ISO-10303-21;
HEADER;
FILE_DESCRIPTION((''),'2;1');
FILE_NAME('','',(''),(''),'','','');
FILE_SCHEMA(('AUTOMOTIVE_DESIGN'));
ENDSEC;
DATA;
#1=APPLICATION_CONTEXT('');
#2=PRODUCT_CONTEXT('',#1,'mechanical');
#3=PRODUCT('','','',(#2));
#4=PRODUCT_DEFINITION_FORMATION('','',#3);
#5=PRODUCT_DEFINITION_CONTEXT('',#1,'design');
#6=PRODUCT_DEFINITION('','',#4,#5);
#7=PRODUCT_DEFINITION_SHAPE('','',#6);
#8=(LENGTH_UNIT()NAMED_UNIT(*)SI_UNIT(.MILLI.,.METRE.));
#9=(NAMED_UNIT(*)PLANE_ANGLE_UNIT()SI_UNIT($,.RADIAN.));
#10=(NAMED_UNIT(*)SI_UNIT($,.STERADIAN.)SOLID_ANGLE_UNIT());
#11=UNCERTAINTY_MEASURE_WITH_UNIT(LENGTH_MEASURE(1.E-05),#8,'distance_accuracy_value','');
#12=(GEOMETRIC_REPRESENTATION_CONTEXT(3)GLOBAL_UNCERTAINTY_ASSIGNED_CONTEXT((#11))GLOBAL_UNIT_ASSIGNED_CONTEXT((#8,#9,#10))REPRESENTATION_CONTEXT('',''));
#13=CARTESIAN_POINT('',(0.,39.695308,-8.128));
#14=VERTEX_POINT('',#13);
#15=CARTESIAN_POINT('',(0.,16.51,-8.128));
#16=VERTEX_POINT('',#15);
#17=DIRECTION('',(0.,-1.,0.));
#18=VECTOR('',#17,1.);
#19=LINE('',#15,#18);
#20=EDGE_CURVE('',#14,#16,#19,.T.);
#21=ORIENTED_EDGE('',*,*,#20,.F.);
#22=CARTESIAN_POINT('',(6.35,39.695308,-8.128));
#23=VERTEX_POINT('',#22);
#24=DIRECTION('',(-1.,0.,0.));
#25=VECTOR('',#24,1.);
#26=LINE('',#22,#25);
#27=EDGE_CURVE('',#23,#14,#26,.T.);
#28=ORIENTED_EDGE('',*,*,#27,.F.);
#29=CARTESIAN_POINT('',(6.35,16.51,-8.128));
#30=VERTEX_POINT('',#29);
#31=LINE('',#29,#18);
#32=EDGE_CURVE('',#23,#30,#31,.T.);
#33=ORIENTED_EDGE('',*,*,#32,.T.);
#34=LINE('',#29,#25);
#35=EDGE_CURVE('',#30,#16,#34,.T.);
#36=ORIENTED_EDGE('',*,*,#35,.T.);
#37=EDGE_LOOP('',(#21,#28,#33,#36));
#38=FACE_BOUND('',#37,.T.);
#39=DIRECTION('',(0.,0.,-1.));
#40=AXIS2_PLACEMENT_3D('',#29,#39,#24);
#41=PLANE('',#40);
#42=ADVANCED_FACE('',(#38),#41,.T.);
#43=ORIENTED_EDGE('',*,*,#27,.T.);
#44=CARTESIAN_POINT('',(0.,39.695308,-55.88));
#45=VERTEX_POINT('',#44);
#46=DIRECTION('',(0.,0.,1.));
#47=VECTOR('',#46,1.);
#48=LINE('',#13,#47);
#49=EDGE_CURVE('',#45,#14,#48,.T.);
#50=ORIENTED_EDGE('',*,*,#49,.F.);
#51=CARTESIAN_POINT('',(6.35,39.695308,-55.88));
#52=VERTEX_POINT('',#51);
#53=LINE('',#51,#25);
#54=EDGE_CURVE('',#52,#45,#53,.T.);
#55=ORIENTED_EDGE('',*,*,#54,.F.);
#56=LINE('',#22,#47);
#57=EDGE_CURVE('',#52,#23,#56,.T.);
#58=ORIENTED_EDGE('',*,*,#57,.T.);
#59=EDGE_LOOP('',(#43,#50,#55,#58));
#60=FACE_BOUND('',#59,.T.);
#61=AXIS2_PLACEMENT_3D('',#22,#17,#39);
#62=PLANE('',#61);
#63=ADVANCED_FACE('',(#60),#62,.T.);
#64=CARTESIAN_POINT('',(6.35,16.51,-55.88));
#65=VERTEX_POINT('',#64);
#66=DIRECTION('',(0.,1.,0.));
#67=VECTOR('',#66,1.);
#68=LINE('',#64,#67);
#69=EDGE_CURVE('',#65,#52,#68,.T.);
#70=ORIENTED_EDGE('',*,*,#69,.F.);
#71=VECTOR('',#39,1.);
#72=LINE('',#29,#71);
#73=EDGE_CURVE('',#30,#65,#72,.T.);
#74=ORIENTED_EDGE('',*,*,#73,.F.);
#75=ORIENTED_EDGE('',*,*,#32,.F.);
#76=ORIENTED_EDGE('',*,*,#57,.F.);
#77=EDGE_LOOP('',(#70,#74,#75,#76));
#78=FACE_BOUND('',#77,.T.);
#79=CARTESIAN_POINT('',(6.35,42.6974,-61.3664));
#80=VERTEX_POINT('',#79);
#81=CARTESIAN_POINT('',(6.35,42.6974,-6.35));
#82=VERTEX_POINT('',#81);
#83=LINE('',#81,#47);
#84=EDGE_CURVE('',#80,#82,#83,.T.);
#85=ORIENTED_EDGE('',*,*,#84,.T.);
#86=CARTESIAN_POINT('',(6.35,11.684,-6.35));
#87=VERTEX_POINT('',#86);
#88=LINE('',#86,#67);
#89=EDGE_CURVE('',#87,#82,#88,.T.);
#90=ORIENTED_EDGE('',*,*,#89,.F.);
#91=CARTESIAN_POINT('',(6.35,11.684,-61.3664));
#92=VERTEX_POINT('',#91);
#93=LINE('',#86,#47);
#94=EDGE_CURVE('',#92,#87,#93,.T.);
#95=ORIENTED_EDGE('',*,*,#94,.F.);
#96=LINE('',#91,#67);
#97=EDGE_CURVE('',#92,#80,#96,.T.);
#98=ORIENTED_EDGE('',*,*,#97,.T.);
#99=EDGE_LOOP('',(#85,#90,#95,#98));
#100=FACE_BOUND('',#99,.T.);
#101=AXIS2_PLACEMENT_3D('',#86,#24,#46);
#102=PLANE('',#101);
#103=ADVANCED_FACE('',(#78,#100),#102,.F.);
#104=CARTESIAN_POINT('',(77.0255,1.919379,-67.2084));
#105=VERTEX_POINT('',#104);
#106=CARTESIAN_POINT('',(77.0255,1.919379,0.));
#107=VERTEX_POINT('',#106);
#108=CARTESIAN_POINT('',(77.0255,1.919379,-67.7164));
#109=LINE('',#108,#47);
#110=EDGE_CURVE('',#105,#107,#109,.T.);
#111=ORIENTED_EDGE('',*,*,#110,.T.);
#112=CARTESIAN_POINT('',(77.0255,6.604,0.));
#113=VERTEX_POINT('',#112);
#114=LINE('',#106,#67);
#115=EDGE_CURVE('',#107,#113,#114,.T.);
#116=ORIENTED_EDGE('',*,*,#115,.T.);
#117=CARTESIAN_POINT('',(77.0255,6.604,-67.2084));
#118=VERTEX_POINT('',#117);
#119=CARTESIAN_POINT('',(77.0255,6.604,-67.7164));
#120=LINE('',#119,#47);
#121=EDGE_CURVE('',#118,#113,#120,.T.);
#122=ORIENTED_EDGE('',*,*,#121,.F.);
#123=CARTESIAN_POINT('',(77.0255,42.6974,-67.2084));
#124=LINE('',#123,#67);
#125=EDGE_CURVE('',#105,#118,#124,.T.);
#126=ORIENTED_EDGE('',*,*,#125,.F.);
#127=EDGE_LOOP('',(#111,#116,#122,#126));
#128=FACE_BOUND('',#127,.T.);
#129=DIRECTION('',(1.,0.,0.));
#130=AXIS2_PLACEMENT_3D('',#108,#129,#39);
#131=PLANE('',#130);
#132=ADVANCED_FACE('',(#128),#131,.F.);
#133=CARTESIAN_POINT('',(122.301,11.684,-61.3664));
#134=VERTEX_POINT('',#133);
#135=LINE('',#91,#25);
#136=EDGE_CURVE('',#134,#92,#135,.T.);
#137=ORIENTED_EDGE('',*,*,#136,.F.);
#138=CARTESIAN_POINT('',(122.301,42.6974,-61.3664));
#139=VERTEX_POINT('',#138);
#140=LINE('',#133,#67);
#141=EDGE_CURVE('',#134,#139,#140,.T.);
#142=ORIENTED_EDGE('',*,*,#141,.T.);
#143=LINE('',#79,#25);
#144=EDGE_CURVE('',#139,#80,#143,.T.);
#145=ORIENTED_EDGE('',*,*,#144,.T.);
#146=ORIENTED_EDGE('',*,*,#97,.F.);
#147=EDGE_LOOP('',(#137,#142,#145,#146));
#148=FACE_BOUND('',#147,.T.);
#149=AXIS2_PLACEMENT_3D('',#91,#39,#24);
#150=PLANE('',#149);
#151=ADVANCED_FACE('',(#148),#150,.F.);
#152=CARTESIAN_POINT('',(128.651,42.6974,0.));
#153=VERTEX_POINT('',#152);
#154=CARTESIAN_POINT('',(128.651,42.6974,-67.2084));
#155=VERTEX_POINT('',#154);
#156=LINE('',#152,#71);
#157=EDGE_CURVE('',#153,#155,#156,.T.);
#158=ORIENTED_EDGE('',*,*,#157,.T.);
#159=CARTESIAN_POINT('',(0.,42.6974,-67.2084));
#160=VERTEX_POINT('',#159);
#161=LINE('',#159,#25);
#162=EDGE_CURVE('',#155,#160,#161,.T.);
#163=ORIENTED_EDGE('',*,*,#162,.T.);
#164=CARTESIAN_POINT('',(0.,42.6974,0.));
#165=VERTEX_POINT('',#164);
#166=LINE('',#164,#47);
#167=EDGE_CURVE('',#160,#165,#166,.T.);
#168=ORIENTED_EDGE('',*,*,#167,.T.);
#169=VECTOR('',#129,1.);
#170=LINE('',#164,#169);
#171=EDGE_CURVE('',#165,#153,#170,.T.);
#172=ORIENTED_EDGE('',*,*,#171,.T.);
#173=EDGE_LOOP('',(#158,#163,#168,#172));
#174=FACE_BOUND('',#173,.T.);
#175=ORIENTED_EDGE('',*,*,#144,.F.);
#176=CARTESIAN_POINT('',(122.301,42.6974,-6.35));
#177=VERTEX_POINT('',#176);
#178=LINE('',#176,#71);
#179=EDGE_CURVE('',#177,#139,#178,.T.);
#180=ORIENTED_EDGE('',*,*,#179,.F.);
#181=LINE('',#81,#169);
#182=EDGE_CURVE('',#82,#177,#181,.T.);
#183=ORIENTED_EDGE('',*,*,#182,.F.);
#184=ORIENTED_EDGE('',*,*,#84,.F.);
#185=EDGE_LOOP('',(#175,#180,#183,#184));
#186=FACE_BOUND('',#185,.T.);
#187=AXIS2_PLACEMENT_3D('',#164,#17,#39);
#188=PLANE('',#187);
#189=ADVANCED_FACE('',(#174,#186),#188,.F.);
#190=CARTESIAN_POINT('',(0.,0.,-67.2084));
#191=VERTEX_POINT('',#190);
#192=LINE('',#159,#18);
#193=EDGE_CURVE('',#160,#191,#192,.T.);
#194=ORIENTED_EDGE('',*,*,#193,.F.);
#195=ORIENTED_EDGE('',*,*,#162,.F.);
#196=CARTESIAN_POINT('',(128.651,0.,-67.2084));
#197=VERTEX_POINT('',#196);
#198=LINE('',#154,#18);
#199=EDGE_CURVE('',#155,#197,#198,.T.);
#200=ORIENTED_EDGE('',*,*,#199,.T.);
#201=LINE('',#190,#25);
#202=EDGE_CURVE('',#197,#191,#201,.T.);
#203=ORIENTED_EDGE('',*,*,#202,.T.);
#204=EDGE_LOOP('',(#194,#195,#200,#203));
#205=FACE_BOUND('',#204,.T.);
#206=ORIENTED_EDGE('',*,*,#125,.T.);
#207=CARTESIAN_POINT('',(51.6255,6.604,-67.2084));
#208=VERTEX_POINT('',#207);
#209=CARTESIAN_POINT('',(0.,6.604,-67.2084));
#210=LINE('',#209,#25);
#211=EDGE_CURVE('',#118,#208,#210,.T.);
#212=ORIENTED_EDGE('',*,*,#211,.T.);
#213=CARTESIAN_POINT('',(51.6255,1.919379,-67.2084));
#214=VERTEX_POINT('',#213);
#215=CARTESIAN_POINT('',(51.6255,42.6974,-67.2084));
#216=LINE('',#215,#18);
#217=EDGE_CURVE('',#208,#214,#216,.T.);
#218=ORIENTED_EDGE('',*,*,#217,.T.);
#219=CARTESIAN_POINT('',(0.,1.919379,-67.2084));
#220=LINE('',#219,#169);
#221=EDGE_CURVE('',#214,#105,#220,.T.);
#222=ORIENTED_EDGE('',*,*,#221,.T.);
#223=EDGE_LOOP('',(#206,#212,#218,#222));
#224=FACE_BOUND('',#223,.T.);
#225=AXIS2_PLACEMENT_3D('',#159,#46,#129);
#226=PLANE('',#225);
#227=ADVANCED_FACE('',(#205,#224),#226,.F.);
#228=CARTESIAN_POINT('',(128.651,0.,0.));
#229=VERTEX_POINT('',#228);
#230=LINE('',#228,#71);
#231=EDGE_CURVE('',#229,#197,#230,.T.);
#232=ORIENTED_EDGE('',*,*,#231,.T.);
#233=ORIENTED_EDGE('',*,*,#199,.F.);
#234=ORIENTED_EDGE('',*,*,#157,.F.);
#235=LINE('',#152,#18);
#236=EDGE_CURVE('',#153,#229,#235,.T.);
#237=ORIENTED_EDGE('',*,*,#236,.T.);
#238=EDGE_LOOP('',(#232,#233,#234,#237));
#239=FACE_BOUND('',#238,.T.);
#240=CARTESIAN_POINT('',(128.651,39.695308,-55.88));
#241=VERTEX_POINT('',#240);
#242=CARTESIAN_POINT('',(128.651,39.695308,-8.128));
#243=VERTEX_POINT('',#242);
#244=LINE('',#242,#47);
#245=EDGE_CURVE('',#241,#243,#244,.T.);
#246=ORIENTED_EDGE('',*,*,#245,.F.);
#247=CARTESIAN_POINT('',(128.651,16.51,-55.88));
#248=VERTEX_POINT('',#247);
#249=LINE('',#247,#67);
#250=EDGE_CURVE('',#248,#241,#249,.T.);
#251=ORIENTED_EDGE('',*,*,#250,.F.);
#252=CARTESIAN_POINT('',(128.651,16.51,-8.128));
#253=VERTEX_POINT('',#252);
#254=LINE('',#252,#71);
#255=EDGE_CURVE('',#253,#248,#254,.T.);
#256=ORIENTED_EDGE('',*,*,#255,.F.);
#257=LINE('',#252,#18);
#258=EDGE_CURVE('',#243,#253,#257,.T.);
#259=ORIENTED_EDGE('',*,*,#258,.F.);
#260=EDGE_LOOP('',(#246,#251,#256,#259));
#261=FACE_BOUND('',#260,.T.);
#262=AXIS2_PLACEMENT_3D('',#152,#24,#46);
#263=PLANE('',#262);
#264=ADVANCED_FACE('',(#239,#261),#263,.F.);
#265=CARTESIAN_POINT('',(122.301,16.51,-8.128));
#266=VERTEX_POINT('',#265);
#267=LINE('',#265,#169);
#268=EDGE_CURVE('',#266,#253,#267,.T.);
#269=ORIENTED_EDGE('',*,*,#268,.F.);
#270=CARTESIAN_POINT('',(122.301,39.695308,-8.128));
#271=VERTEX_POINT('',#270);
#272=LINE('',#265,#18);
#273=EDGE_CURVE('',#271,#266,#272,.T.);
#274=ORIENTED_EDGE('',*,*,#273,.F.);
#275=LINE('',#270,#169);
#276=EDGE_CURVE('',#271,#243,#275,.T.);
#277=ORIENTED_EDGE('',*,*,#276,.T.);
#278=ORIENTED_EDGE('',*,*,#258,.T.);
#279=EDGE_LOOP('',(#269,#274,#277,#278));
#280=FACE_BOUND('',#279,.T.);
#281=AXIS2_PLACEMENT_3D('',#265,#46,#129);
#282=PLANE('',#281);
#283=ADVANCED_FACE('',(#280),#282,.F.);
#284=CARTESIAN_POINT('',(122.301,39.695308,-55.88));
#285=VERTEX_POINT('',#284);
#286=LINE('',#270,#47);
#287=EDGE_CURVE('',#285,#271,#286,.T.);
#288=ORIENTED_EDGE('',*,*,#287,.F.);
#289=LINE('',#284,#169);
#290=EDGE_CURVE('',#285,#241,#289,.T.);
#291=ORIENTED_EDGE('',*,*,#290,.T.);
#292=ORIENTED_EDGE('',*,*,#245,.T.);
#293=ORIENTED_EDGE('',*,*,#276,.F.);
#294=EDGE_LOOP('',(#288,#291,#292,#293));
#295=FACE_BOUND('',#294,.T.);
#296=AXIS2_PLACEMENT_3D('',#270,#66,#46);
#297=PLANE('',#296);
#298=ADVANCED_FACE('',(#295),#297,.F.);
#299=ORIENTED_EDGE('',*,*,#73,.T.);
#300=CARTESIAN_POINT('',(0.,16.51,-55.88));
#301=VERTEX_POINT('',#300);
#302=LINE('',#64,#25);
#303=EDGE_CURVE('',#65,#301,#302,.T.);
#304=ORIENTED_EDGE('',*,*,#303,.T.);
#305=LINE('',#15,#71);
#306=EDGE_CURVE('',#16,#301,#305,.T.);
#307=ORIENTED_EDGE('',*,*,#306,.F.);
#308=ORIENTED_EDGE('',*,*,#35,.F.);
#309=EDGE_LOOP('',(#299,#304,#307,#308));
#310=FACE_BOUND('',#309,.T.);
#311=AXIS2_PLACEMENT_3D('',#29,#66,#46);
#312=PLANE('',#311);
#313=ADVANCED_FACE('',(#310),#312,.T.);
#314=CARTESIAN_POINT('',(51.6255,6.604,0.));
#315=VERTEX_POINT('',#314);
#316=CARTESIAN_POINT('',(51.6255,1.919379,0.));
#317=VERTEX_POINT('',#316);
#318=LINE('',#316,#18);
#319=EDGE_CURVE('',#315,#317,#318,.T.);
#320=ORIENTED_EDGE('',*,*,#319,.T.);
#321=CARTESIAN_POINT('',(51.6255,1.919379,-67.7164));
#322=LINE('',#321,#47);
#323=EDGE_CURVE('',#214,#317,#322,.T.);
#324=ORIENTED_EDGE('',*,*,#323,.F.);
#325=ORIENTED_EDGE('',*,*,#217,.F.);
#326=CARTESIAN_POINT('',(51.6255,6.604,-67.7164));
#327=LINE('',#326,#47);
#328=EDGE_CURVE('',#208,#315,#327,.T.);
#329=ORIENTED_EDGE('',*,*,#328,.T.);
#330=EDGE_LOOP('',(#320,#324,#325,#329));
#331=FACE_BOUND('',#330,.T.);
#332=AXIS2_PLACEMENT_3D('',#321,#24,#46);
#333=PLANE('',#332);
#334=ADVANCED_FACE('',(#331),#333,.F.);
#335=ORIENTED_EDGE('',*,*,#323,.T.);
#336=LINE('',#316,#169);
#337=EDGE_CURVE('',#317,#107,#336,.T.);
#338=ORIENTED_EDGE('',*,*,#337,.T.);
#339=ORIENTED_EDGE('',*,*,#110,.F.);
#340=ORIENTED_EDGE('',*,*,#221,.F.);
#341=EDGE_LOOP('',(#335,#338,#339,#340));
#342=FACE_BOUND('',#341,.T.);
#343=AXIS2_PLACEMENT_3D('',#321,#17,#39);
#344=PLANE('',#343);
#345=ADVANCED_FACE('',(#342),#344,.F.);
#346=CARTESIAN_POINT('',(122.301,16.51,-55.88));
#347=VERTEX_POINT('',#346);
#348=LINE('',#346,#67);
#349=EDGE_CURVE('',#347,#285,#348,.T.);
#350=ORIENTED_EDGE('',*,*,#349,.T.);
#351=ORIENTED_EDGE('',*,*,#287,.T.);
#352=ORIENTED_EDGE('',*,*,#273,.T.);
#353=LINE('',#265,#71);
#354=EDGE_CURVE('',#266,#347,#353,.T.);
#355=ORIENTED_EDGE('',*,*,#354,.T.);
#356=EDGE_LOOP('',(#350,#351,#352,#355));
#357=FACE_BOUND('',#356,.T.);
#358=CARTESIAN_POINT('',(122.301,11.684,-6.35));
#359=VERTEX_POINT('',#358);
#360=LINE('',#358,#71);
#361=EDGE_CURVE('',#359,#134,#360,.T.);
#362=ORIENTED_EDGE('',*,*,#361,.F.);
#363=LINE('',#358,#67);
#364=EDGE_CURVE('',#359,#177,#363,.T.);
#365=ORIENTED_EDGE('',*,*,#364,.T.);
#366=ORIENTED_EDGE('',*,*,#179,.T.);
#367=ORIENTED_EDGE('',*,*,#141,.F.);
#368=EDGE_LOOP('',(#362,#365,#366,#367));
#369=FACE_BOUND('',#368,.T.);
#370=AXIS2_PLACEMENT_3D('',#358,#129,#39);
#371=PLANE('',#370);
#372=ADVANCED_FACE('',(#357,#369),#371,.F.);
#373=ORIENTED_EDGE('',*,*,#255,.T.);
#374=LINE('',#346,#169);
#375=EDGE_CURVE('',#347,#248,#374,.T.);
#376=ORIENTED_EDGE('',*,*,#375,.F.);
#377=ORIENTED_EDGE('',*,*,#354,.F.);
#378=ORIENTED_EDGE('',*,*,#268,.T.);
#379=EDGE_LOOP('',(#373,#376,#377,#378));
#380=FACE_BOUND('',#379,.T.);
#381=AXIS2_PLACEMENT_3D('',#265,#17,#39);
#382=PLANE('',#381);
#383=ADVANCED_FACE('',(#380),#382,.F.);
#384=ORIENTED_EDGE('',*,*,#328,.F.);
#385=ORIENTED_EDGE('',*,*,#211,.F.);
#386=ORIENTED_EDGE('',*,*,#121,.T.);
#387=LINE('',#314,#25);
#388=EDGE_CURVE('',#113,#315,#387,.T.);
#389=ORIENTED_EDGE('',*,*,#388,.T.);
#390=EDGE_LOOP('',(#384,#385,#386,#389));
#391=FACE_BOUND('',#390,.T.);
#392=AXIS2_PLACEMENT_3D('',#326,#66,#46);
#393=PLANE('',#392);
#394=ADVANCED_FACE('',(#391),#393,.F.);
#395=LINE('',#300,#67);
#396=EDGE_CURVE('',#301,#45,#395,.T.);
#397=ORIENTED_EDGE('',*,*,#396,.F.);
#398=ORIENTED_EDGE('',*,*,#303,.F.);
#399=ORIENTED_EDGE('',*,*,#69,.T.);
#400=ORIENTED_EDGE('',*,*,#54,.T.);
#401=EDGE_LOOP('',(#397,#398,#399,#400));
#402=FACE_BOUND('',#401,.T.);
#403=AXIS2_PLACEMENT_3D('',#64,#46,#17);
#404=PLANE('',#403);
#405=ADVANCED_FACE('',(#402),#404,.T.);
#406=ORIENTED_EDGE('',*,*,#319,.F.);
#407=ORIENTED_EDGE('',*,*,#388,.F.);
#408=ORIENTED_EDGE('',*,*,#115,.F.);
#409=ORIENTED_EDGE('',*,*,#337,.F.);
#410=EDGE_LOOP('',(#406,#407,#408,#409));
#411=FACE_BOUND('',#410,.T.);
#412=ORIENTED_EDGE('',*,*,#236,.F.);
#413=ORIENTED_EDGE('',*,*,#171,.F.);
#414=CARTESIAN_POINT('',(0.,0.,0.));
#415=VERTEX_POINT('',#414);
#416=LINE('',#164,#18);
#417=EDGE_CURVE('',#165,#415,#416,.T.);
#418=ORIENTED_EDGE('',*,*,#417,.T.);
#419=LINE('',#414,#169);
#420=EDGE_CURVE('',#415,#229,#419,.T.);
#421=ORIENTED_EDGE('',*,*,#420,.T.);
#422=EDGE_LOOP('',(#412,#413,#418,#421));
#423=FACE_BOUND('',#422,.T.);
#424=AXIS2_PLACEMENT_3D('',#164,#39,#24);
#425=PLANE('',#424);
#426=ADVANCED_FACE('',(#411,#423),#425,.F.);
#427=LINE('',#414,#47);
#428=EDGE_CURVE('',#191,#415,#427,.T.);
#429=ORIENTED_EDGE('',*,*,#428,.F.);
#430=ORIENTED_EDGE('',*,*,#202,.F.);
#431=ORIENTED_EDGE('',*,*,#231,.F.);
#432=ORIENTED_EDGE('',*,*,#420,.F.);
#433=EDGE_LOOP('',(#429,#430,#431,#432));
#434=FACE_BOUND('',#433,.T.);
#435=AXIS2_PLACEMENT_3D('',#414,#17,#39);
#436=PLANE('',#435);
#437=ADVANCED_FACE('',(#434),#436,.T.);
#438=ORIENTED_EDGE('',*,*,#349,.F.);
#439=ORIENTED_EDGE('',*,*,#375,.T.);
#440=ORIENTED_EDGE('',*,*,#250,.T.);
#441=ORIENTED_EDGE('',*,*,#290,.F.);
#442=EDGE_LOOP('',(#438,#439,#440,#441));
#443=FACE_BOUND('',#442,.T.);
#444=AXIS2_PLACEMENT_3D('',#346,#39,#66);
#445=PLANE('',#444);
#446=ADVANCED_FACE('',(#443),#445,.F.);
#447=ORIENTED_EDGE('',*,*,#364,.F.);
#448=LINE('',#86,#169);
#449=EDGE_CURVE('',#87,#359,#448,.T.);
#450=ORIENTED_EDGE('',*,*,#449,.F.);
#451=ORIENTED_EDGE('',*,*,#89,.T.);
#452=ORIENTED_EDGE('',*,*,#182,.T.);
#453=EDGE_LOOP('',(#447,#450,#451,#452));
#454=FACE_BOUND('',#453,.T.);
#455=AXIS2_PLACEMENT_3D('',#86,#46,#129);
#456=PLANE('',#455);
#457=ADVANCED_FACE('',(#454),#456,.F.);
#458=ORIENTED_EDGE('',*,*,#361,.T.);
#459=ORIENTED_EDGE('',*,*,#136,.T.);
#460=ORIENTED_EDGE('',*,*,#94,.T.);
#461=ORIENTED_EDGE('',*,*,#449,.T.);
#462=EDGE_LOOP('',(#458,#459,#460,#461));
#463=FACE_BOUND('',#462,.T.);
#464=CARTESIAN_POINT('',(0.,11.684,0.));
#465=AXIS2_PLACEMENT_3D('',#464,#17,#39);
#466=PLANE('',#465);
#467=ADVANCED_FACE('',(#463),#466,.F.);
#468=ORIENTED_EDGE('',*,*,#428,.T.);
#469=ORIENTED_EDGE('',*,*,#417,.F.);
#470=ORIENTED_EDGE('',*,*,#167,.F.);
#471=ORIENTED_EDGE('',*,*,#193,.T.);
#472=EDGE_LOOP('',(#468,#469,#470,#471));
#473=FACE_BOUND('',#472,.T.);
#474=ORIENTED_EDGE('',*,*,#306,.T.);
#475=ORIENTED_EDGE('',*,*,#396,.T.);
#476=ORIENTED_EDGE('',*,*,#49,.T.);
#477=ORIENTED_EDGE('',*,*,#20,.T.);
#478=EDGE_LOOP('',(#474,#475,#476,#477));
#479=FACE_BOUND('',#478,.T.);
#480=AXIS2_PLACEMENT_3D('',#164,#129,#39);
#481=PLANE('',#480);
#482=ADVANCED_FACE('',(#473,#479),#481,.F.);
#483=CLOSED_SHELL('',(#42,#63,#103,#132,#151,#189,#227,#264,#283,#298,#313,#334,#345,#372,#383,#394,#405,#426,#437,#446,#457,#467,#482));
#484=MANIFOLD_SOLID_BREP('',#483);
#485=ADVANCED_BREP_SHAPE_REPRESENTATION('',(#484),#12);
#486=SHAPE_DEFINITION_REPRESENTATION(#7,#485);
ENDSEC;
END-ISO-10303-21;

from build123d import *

# Parameters (mm, degrees)
SKETCH1_W           = 128.651
SKETCH1_H           = 67.2084
BOSS_EXTRUDE1_DEPTH = 42.6974
SKETCH2_W           = 115.951
SKETCH2_H           = 55.0164
CUT_EXTRUDE1_DEPTH  = 31.0134
SKETCH3_W           = 25.4
SKETCH3_H           = 4.684620624
CUT_EXTRUDE2_DEPTH  = 67.7164
SKETCH5_W           = 47.752
SKETCH5_H           = 23.185308257
CUT_EXTRUDE3_DEPTH  = 6.35


with BuildPart() as part:
    # Sketch1 → Boss-Extrude1 (new body)
    with BuildSketch(Plane(origin=(0, 0, 0), x_dir=(1, 0, 0), z_dir=(0, 1, 0))):
        with Locations((64.3255, 33.6042)):
            Rectangle(SKETCH1_W, SKETCH1_H)
    extrude(amount=BOSS_EXTRUDE1_DEPTH)

    # Sketch2 → Cut-Extrude1 (cut)
    with BuildSketch(Plane(origin=(0, 42.6974, 0), x_dir=(1, 0, 0), z_dir=(0, 1, 0))):
        with Locations((64.3255, 33.8582)):
            Rectangle(SKETCH2_W, SKETCH2_H)
    extrude(amount=-CUT_EXTRUDE1_DEPTH, mode=Mode.SUBTRACT)

    # Sketch3 → Cut-Extrude2 (cut)
    with BuildSketch(Plane.XY):
        with Locations((64.3255, 4.261689688)):
            Rectangle(SKETCH3_W, SKETCH3_H)
    extrude(amount=-CUT_EXTRUDE2_DEPTH, mode=Mode.SUBTRACT)

    # Sketch5 → Cut-Extrude3 (cut)
    with BuildSketch(Plane(origin=(128.651, 0, 0), x_dir=(0, 0, -1), z_dir=(1, 0, 0))):
        with Locations((32.004, 28.102654128)):
            Rectangle(SKETCH5_W, SKETCH5_H)
    cut_extrude3 = extrude(amount=-CUT_EXTRUDE3_DEPTH, mode=Mode.SUBTRACT)

    # Mirror1: Cut-Extrude3 across plane
    add(cut_extrude3.mirror(Plane.ZY.offset(-64.3255)), mode=Mode.SUBTRACT)


solid = part.part
